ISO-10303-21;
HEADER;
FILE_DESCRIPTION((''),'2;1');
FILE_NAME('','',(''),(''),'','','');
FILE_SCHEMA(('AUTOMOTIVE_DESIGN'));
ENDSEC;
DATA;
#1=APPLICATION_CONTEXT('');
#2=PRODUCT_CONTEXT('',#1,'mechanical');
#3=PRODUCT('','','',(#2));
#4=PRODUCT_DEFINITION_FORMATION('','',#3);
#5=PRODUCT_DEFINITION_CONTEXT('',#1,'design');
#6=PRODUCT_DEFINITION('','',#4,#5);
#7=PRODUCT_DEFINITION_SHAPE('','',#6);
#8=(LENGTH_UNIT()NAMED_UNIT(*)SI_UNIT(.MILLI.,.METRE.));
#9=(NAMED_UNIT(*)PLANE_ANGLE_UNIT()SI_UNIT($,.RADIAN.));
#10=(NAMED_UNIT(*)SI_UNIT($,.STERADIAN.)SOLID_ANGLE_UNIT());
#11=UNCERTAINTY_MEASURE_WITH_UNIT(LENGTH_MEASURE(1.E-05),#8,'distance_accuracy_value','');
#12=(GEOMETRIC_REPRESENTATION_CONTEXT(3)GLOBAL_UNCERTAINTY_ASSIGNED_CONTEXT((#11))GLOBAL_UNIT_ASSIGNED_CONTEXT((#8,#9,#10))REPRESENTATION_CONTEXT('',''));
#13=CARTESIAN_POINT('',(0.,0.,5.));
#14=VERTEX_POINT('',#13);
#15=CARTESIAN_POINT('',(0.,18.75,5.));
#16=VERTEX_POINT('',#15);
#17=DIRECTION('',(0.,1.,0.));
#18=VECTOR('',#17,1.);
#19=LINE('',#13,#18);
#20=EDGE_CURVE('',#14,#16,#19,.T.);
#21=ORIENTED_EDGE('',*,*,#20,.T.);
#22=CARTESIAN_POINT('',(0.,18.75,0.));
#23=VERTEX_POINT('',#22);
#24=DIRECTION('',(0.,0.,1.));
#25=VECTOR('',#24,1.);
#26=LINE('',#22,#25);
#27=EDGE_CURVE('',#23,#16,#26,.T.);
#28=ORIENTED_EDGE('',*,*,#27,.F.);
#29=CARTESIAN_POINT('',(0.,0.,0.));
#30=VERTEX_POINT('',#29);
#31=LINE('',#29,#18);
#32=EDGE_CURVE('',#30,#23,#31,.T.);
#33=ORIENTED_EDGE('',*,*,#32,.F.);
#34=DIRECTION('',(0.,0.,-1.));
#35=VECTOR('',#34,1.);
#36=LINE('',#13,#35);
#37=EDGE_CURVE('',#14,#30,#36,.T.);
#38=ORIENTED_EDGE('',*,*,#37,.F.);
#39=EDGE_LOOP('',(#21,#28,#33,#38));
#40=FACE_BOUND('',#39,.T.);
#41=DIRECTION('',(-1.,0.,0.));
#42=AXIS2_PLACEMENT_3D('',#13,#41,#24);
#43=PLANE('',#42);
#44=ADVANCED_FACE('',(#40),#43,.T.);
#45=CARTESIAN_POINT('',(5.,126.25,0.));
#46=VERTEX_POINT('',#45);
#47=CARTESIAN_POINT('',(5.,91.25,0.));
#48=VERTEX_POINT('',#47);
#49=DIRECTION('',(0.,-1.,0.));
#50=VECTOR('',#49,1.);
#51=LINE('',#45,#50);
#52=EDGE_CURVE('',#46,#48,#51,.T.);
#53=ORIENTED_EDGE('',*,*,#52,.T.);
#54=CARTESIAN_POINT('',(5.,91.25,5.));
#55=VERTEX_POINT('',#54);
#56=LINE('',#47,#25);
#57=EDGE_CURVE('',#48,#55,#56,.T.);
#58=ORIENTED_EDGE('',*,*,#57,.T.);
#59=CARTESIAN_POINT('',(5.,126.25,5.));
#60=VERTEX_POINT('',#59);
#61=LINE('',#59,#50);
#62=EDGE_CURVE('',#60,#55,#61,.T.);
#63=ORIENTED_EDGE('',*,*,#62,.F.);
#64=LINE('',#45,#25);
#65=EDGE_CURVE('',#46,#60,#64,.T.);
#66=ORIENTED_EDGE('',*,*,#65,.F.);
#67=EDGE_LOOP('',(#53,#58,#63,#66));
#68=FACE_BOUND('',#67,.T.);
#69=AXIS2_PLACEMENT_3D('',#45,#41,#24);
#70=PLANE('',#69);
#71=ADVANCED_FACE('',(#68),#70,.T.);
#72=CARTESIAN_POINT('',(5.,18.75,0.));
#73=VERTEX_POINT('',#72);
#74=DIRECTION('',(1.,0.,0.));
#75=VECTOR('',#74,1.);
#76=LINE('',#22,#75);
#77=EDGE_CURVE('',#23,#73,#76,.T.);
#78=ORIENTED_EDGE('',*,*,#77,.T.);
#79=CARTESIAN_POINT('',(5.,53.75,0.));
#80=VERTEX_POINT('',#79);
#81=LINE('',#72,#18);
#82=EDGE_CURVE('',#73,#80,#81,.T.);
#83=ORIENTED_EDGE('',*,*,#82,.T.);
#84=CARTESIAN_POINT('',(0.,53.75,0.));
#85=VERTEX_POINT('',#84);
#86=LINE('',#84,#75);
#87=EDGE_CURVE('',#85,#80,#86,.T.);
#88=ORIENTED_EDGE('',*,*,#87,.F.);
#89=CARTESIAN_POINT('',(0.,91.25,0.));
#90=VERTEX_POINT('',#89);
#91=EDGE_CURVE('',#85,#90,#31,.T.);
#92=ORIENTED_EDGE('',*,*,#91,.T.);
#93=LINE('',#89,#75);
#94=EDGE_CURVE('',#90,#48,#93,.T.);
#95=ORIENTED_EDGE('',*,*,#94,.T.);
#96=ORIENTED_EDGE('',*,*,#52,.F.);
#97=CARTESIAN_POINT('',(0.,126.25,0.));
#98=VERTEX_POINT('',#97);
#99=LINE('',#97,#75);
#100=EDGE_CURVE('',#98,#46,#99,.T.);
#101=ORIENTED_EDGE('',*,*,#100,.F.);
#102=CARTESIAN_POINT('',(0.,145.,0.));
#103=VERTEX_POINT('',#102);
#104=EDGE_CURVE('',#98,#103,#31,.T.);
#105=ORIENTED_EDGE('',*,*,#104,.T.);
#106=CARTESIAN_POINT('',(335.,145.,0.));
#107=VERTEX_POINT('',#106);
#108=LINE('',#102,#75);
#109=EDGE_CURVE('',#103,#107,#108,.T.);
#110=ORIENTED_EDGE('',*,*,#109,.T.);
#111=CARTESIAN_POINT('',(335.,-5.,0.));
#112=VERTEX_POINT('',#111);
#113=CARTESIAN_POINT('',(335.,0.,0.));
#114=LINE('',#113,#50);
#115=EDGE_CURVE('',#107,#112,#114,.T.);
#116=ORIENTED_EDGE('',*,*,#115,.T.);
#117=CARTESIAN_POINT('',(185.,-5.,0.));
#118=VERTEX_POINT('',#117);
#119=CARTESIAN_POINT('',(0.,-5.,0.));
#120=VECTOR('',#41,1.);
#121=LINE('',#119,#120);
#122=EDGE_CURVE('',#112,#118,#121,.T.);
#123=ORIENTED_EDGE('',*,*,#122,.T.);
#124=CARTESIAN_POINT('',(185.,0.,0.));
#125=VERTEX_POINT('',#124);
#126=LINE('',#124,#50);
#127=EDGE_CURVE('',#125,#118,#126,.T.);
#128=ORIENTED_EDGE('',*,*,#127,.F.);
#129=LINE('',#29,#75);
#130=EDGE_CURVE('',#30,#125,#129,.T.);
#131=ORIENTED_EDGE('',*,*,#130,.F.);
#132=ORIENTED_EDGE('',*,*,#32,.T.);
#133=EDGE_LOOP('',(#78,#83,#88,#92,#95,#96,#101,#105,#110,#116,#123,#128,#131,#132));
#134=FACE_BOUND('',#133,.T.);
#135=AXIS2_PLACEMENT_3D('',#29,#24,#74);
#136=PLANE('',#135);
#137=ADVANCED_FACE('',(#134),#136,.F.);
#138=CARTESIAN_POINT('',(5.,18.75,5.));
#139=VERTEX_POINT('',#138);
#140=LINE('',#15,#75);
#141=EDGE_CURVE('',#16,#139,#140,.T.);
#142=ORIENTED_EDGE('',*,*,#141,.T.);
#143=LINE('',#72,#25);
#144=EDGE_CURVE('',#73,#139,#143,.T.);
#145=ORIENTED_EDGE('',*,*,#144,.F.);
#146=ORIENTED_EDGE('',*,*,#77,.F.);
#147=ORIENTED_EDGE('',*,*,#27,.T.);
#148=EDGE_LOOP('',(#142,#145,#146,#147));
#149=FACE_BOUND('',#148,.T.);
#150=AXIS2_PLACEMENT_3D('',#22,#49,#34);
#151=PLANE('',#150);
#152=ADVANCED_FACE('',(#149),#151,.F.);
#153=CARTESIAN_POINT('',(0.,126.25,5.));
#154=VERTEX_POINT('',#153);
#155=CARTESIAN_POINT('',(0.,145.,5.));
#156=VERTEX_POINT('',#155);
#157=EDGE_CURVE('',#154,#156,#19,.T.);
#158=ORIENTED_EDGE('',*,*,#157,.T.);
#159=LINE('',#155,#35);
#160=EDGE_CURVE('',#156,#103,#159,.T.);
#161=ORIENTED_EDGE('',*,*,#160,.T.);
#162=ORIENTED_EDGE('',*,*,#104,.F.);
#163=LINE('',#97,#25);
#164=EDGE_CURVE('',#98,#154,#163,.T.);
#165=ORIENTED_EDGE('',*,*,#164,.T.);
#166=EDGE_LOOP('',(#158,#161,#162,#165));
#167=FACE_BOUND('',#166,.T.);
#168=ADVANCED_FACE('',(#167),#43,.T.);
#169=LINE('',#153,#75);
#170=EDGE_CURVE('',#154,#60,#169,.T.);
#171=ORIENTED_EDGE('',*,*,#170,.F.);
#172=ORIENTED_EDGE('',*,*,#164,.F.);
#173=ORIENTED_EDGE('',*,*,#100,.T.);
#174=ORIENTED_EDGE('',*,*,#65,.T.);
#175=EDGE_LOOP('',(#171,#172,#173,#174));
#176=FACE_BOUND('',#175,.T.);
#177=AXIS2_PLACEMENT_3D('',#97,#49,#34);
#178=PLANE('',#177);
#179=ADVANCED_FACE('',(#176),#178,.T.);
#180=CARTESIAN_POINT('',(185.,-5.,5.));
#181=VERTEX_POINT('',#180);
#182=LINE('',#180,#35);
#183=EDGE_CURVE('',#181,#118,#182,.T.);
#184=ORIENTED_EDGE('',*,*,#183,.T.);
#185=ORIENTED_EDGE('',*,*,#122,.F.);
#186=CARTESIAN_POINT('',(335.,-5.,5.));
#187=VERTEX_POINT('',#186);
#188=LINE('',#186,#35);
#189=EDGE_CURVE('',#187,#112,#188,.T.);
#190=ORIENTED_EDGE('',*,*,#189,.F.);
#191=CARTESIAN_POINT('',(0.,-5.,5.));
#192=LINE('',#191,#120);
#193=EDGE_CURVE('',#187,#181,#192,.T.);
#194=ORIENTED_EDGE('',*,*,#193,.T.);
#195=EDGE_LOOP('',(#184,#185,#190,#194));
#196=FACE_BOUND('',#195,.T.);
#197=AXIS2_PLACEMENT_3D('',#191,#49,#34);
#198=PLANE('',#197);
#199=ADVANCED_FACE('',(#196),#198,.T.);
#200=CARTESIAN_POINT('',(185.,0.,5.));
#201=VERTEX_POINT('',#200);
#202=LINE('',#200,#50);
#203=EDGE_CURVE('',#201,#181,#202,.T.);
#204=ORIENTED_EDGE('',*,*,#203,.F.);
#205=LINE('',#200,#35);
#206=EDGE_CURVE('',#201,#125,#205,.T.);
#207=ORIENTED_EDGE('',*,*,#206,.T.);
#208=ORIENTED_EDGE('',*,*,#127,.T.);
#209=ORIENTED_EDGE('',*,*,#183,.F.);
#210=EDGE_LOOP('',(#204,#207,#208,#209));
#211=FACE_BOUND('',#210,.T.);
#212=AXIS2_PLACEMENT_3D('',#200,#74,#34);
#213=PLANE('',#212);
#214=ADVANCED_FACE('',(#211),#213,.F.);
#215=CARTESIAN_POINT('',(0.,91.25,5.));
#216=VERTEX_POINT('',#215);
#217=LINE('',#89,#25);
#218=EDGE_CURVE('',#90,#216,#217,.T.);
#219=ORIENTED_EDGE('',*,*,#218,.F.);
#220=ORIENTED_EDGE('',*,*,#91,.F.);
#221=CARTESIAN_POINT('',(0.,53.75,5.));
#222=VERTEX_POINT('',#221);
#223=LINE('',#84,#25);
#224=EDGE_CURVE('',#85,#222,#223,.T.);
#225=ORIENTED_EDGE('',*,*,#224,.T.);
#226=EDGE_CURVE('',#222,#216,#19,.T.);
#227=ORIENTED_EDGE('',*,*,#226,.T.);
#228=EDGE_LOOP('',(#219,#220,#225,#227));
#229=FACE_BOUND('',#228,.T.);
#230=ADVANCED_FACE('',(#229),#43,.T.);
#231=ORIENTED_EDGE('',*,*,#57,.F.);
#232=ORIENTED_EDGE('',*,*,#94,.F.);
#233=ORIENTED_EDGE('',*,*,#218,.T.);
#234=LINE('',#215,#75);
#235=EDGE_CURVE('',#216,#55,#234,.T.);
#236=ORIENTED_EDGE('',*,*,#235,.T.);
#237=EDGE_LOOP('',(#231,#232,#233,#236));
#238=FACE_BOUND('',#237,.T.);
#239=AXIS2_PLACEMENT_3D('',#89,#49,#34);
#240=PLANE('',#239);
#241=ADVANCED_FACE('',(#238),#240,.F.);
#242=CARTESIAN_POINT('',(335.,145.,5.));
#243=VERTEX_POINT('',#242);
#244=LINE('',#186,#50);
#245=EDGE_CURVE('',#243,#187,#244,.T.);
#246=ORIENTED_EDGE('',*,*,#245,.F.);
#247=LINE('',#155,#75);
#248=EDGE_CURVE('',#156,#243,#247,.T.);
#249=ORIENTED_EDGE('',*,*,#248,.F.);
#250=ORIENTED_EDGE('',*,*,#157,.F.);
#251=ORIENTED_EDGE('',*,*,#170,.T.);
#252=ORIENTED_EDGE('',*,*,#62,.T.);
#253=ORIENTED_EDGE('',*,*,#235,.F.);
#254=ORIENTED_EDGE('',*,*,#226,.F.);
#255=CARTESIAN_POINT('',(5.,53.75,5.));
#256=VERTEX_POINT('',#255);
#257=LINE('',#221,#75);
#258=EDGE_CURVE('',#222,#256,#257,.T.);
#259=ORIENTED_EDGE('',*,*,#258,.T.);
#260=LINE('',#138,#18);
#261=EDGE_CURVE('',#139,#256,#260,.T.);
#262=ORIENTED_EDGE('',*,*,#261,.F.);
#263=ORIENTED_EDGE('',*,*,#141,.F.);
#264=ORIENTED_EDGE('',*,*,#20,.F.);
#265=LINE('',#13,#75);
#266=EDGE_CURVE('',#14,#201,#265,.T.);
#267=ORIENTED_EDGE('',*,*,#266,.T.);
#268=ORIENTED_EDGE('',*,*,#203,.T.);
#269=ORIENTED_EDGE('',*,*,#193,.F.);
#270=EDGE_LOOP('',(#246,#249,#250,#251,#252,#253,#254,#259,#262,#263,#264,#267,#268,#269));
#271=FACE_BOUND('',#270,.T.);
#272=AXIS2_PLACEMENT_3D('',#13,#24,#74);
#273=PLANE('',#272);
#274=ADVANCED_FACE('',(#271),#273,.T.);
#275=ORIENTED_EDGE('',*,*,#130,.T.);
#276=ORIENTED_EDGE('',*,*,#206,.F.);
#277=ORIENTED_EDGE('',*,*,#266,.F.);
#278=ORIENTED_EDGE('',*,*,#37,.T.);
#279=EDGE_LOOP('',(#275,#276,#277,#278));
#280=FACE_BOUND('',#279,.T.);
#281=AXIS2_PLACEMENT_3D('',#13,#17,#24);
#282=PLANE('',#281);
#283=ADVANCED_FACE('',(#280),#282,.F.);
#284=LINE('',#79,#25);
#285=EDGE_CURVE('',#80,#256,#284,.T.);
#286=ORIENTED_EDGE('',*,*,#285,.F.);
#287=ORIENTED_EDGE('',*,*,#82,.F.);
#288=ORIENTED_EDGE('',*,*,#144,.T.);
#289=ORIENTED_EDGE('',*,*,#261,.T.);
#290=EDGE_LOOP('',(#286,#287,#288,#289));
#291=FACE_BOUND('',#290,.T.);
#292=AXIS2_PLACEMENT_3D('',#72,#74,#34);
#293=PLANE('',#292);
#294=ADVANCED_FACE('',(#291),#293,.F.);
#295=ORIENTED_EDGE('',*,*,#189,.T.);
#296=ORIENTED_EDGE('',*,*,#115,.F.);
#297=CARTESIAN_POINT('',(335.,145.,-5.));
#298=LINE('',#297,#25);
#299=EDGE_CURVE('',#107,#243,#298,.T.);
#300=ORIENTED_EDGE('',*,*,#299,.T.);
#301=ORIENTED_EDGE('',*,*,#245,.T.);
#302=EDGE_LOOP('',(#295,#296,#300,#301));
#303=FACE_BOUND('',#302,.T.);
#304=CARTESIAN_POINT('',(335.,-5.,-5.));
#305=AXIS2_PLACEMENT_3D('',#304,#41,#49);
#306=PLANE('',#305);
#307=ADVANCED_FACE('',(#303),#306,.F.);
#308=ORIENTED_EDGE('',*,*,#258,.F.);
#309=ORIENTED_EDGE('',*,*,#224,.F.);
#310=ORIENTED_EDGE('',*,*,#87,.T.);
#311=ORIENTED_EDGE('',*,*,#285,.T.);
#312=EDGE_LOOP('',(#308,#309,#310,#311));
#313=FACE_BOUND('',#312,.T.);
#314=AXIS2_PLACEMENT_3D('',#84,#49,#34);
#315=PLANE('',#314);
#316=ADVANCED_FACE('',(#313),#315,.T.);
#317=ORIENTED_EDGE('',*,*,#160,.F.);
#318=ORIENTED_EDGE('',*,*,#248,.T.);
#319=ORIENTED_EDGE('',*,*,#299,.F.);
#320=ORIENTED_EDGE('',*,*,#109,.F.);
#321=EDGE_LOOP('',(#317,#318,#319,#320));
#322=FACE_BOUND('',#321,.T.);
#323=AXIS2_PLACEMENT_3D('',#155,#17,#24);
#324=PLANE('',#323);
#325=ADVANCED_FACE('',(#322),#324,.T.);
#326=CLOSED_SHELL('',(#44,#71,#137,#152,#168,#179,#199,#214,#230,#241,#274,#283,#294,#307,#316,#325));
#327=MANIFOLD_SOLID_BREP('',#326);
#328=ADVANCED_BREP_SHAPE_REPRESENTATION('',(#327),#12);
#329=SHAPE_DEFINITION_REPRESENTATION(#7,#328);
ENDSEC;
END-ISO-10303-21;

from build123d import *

# Parameters (mm, degrees)
SALIENTE_EXTRUIR1_DEPTH = 5
CROQUIS2_W              = 5
CROQUIS2_H              = 35
CORTAR_EXTRUIR1_DEPTH   = 5
CORTAR_EXTRUIR2_DEPTH   = 10
CORTAR_EXTRUIR4_DEPTH   = 10


with BuildPart() as part:
    # Croquis1 → Saliente-Extruir1 (new body)
    with BuildSketch(Plane.XY):
        Polygon((0, 145), (0, 0), (183.734642654, 0), (185, 0), (185, -5), (485, -5), (485, 0), (670, 0), (670, -5), (970, -5), (970, 0), (1155, 0), (1155, -5), (1455, -5), (1455, 0), (1640, 0), (1640, 145), align=None)
    extrude(amount=SALIENTE_EXTRUIR1_DEPTH)

    # Croquis2 → Cortar-Extruir1 (cut)
    with BuildSketch(Plane.XY.offset(5)):
        with Locations((1637.5, 108.75)):
            Rectangle(CROQUIS2_W, CROQUIS2_H)
        with Locations((1637.5, 36.25)):
            Rectangle(CROQUIS2_W, CROQUIS2_H)
        with Locations((2.5, 36.25)):
            Rectangle(CROQUIS2_W, CROQUIS2_H)
        with Locations((2.5, 108.75)):
            Rectangle(CROQUIS2_W, CROQUIS2_H)
    extrude(amount=-CORTAR_EXTRUIR1_DEPTH, mode=Mode.SUBTRACT)

    # Croquis3 → Cortar-Extruir2 (cut)
    with BuildSketch(Plane.XY.offset(5)):
        Polygon((579.3, 0), (575.7, 0), (575.7, 5), (573.9, 5), (573.9, 8.2), (575.7, 8.2), (575.7, 17.2), (579.3, 17.2), (579.3, 8.2), (581.1, 8.2), (581.1, 5), (579.3, 5), align=None)
        Polygon((1064.3, 8.2), (1064.3, 17.2), (1060.7, 17.2), (1060.7, 8.2), (1058.9, 8.2), (1058.9, 5), (1060.7, 5), (1060.7, 0), (1064.3, 0), (1064.3, 5), (1066.1, 5), (1066.1, 8.2), align=None)
    extrude(amount=-CORTAR_EXTRUIR2_DEPTH, mode=Mode.SUBTRACT)

    # Croquis4 → Cortar-Extruir4 (cut)
    with BuildSketch(Plane.XY.offset(5)):
        Polygon((335, -5), (335, 145), (1640, 145), (1671.122374821, -141.538372297), (335, -87.56268072), align=None)
    extrude(amount=-CORTAR_EXTRUIR4_DEPTH, mode=Mode.SUBTRACT)


solid = part.part
